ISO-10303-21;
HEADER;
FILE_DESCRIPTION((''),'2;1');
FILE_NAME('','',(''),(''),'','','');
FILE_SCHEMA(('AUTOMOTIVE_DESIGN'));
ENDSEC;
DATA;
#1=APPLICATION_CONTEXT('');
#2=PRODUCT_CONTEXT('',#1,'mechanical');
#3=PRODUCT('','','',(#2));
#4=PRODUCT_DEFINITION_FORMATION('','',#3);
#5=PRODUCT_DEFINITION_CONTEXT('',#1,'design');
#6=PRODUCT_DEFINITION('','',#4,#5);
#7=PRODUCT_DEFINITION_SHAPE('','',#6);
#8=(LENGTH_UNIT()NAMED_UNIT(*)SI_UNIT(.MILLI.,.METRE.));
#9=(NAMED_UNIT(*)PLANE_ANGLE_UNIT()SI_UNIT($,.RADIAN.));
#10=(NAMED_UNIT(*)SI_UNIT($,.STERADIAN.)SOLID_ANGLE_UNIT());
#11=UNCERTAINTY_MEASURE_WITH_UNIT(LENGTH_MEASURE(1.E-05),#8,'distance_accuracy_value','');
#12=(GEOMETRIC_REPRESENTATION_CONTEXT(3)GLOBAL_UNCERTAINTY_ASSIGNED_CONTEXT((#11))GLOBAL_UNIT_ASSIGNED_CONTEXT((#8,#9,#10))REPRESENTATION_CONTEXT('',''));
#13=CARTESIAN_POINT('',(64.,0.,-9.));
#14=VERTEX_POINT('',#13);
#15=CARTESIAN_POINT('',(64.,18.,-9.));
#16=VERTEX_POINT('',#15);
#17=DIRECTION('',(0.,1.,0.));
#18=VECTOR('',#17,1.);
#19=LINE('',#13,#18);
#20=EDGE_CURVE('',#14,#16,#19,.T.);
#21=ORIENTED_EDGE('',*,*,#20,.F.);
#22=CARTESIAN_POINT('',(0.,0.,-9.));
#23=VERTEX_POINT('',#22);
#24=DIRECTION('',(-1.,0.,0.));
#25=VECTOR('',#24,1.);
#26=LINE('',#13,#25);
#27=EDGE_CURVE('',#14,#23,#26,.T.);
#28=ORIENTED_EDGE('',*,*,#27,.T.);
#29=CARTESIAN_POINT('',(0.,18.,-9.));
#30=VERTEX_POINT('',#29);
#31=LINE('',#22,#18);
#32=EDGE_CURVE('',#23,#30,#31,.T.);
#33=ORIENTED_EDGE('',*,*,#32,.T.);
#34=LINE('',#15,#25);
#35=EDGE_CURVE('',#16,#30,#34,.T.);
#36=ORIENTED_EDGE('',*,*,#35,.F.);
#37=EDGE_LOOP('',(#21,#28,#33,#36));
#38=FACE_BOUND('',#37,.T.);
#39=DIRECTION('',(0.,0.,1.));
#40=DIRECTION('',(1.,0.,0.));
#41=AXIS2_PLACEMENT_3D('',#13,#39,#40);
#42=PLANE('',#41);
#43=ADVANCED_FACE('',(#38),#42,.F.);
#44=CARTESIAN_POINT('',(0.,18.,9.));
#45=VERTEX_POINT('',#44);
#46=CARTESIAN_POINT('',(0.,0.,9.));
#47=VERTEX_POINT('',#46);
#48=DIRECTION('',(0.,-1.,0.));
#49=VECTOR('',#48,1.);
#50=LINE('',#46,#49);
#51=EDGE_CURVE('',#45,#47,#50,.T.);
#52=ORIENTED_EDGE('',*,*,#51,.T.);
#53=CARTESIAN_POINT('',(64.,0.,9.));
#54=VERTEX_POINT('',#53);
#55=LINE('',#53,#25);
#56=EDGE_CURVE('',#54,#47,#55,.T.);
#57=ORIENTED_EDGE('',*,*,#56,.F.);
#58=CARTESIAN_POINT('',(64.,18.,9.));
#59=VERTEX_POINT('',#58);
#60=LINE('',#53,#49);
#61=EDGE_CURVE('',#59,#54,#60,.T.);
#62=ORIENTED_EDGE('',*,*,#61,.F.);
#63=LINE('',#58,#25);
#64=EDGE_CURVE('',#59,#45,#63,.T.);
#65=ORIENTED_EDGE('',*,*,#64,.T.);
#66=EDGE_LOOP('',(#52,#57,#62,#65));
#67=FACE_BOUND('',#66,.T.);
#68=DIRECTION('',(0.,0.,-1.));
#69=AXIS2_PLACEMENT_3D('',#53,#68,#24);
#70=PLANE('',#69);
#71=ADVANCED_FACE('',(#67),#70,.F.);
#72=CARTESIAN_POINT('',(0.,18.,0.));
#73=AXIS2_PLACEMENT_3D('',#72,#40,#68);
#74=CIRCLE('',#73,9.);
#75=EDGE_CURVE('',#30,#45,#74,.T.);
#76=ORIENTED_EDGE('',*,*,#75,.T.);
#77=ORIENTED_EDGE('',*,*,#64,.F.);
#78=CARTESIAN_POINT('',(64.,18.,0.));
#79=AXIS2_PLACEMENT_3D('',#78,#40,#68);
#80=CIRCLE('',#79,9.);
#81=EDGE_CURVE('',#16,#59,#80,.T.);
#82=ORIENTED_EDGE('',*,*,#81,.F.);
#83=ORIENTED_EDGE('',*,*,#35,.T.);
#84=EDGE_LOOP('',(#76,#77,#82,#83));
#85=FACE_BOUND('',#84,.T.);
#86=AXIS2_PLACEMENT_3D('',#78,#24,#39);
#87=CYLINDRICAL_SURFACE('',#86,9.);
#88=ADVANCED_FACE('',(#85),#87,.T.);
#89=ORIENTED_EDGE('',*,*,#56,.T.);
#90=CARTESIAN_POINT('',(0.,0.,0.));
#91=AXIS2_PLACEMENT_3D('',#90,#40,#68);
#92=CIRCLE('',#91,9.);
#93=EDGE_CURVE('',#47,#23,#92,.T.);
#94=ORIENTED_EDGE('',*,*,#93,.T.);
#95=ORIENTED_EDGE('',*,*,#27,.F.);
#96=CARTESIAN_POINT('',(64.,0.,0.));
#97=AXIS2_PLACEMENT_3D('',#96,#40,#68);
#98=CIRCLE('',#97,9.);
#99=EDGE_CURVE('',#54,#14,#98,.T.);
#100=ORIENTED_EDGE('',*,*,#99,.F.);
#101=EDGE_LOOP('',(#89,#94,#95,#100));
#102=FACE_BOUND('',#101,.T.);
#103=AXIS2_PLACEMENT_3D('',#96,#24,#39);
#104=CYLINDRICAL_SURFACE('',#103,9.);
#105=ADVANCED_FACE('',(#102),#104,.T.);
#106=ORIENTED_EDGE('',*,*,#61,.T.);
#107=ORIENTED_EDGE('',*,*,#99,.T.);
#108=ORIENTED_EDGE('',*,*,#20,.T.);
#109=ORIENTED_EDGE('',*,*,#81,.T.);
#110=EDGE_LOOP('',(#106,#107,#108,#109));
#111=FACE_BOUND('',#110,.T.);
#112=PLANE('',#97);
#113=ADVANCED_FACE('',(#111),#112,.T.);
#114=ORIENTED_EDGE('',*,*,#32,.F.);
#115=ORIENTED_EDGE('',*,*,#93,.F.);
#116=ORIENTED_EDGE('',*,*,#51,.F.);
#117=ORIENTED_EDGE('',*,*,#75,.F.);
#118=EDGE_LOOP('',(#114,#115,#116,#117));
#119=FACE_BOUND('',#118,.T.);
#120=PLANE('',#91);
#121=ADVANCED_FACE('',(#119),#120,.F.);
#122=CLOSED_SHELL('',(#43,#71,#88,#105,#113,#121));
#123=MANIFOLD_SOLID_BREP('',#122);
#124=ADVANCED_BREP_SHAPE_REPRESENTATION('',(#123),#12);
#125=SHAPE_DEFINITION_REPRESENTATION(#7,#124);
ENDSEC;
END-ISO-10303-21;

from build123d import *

# Parameters (mm, degrees)
BOSS_EXTRUDE1_DEPTH = 64


with BuildPart() as part:
    # Sketch1 → Boss-Extrude1 (new body)
    with BuildSketch(Plane(origin=(0, 0, 0), x_dir=(0, 0, -1), z_dir=(1, 0, 0))):
        with BuildLine():
            Line((-9, 0), (-9, 18))
            ThreePointArc((-9, 18), (0, 27), (9, 18))
            Line((9, 18), (9, 0))
            ThreePointArc((9, 0), (0, -9), (-9, 0))
        make_face()
    extrude(amount=BOSS_EXTRUDE1_DEPTH)


solid = part.part
